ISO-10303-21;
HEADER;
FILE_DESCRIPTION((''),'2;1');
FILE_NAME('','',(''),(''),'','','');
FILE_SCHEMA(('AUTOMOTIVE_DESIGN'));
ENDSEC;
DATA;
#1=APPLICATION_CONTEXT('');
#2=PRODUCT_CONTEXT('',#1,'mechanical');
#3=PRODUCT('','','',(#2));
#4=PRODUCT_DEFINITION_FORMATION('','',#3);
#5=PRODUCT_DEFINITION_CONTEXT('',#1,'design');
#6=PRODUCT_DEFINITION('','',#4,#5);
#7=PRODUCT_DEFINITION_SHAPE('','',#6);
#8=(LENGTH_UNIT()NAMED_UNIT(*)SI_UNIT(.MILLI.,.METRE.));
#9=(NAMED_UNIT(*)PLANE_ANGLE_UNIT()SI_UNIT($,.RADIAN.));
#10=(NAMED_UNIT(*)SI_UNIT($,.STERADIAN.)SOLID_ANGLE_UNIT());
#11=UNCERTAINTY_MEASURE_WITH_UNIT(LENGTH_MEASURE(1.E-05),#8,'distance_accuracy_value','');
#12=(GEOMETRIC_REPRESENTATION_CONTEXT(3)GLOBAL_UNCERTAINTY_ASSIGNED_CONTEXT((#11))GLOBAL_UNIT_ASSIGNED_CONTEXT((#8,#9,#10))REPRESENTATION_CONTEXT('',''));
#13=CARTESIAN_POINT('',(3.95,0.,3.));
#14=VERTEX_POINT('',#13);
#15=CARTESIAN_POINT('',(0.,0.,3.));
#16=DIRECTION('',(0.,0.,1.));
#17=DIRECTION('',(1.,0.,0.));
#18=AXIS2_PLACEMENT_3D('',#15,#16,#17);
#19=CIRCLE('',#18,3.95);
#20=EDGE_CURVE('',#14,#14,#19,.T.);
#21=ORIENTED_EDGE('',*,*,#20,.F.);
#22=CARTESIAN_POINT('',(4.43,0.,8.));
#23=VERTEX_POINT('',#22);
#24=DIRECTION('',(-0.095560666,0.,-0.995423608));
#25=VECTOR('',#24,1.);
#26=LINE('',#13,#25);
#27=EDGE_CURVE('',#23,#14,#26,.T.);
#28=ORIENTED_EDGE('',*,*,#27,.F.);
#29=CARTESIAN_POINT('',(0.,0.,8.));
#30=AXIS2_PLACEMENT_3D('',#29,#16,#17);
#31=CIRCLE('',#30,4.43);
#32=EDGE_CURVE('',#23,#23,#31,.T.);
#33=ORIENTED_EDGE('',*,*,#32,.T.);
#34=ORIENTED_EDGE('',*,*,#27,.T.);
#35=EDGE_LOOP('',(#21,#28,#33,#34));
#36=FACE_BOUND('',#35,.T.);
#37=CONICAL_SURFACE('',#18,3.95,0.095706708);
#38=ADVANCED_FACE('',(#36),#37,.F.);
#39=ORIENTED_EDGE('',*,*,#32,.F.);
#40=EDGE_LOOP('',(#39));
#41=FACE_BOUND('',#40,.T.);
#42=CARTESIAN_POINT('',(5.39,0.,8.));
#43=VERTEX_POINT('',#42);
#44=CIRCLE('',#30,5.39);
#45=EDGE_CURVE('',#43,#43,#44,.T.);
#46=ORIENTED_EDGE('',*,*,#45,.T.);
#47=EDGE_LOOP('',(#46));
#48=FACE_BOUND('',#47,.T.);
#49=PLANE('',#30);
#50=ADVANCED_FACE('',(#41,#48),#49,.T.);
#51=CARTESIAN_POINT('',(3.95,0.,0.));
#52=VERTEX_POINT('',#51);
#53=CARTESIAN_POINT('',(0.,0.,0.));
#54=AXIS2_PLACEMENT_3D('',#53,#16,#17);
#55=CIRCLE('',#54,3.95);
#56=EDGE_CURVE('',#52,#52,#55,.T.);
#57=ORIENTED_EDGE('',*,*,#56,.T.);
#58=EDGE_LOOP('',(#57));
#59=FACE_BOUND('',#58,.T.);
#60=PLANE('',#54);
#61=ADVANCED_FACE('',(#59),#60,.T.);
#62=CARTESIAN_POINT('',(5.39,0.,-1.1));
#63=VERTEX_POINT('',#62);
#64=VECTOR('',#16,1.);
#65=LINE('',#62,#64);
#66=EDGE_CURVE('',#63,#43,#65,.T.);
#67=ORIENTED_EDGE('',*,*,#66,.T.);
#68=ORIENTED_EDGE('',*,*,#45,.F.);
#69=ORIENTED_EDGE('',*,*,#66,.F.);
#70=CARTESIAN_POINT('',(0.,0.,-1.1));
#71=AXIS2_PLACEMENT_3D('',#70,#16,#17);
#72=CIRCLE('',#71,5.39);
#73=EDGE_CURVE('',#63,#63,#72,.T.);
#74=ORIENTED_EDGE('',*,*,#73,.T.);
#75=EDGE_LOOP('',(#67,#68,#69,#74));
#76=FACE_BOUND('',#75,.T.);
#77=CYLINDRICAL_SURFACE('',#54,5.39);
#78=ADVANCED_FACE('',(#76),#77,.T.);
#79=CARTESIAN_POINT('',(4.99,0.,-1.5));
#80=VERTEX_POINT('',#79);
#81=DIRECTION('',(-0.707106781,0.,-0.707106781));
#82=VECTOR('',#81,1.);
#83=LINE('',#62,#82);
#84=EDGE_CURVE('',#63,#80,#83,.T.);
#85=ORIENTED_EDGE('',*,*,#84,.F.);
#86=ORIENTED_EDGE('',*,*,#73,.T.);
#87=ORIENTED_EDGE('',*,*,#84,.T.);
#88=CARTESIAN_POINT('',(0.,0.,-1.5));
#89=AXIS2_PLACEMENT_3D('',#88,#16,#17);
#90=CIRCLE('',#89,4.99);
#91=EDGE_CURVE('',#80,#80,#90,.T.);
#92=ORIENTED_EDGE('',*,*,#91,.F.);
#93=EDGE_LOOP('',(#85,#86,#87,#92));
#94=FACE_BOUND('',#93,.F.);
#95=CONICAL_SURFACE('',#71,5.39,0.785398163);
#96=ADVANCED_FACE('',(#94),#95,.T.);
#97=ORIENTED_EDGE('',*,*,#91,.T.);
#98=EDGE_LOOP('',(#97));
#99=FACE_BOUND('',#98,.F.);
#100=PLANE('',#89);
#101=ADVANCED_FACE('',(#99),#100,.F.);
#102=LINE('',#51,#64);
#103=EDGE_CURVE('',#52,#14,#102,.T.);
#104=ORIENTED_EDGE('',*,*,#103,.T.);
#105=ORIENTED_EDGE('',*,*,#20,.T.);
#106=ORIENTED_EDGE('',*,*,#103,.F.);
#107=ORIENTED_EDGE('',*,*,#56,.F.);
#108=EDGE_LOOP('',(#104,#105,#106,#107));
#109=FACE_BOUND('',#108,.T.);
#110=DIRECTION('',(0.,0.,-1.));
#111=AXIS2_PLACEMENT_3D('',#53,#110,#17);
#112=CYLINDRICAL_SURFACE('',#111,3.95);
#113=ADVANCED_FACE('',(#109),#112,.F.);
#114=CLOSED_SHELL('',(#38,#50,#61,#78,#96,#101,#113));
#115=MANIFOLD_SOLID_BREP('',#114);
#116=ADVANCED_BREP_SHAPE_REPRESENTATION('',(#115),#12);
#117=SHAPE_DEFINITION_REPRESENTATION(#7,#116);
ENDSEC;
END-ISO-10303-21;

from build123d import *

# Parameters (mm, degrees)
F0_R     = 5.39
F0_R_2   = 3.95
F1_DEPTH = 1.5
F2_DEPTH = 8
F3_SIZE2 = 5
F3_SIZE  = 0.48
F4_SIZE  = 0.4


with BuildPart() as f1:
    # F0 (on Top) → F1 (new body)
    with BuildSketch(Plane.XY):
        Circle(F0_R)
        Circle(F0_R_2, mode=Mode.SUBTRACT)
        Circle(F0_R_2)
    extrude(amount=-F1_DEPTH)

    # F0 (on Top) → F2 (join)
    with BuildSketch(Plane.XY):
        Circle(F0_R)
        Circle(F0_R_2, mode=Mode.SUBTRACT)
    extrude(amount=F2_DEPTH)

    # F3
    f3_edges = [f1.edges().sort_by_distance(p)[0] for p in [
        (-3.95, 0, 8),
    ]]
    chamfer(f3_edges, length=F3_SIZE, length2=F3_SIZE2)

    # F4
    f4_edges = [f1.edges().sort_by_distance(p)[0] for p in [
        (-5.39, 0, -1.5),
    ]]
    chamfer(f4_edges, length=F4_SIZE)


solid = f1.part
